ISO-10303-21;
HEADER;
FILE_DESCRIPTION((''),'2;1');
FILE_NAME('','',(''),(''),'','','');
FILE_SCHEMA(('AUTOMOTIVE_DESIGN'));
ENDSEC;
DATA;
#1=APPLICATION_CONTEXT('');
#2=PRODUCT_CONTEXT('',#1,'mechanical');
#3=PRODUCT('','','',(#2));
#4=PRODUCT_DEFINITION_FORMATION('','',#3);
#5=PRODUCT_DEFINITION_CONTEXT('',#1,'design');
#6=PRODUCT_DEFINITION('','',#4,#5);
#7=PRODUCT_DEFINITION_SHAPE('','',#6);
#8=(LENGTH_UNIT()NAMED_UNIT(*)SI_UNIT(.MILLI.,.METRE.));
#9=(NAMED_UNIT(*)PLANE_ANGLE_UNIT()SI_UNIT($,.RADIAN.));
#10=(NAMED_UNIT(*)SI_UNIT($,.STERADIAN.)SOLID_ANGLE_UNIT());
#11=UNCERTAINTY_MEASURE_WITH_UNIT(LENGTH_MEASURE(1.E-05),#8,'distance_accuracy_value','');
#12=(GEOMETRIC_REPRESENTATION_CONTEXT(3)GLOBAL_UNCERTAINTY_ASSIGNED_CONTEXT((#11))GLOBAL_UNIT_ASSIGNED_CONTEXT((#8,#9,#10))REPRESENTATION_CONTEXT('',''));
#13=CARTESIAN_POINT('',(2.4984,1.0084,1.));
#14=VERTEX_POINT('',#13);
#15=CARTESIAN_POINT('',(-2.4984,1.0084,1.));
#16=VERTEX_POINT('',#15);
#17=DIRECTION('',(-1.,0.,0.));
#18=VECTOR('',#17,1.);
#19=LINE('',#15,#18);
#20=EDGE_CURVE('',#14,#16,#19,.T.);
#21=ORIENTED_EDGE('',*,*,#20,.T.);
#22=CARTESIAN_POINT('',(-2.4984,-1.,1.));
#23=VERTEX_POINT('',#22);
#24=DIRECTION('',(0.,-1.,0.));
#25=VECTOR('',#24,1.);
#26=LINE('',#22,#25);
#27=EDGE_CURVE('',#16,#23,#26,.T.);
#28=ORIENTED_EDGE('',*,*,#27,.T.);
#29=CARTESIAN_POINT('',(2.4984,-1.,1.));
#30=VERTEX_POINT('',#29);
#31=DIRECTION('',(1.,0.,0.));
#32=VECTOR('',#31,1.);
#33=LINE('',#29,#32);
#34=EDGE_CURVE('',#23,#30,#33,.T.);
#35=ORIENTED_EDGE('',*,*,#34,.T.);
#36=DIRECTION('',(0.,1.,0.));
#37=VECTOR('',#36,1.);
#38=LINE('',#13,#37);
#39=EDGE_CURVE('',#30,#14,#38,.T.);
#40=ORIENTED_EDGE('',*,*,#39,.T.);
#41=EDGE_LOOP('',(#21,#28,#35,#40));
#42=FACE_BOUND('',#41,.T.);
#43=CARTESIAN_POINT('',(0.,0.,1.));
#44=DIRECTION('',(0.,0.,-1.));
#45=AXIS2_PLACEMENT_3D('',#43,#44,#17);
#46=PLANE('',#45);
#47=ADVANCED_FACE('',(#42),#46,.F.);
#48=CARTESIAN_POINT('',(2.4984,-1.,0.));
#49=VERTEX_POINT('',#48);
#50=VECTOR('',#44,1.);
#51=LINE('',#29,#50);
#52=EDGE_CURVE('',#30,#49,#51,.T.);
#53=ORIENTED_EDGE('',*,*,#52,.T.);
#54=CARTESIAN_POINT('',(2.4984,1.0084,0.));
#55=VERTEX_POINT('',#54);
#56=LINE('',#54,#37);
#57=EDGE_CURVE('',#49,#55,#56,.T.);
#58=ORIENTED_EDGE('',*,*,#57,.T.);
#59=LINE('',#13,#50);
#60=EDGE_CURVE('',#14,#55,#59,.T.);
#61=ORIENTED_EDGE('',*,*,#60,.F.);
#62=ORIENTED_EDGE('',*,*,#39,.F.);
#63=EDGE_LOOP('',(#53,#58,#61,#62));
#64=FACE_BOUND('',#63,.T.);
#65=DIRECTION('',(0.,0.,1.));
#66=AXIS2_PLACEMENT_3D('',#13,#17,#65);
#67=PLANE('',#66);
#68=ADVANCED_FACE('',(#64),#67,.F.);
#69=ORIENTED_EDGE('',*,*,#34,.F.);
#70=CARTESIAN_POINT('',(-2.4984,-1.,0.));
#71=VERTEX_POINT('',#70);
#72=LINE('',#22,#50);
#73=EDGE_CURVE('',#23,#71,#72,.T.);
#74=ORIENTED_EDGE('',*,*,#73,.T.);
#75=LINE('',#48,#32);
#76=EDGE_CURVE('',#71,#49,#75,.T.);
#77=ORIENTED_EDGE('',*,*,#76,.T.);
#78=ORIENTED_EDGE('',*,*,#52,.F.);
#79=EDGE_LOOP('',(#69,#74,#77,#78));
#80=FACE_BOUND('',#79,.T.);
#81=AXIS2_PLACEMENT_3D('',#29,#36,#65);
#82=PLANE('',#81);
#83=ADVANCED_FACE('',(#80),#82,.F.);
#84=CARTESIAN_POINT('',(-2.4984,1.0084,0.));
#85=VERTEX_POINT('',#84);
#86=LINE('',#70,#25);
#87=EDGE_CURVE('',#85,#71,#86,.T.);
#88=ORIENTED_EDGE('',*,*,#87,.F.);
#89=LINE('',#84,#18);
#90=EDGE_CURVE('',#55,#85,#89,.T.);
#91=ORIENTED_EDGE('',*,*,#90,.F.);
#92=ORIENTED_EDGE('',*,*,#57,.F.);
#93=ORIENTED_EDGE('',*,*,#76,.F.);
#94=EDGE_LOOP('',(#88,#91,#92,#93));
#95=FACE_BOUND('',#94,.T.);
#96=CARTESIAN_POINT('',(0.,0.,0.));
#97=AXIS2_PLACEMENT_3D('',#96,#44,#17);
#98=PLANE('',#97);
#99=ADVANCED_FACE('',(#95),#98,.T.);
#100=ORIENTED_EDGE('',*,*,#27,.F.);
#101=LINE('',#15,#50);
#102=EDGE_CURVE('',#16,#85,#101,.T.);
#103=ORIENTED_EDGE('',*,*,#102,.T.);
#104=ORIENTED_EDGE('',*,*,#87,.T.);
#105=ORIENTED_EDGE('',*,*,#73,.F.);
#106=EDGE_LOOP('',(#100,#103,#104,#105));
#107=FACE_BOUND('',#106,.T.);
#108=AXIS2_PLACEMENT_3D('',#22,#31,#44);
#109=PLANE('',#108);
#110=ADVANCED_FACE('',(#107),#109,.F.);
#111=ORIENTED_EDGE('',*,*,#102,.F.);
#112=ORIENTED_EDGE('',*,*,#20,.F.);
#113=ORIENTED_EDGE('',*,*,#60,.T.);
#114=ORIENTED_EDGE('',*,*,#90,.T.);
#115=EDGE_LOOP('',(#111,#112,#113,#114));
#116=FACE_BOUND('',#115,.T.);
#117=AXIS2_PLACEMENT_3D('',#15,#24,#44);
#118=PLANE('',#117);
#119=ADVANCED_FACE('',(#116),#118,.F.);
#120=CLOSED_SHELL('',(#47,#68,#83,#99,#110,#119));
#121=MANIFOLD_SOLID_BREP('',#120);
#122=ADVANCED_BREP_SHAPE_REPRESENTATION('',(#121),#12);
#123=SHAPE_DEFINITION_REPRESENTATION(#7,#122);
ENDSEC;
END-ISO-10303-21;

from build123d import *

# Parameters (mm, degrees)
SKETCH1_W               = 4.9968
SKETCH1_H               = 2.0084
COMPONENT_OUTLINE_DEPTH = 1


with BuildPart() as part:
    # Sketch1 → Component_Outline (new body)
    with BuildSketch(Plane.XY):
        with Locations((0, 0.0042)):
            Rectangle(SKETCH1_W, SKETCH1_H)
    extrude(amount=COMPONENT_OUTLINE_DEPTH)


solid = part.part
